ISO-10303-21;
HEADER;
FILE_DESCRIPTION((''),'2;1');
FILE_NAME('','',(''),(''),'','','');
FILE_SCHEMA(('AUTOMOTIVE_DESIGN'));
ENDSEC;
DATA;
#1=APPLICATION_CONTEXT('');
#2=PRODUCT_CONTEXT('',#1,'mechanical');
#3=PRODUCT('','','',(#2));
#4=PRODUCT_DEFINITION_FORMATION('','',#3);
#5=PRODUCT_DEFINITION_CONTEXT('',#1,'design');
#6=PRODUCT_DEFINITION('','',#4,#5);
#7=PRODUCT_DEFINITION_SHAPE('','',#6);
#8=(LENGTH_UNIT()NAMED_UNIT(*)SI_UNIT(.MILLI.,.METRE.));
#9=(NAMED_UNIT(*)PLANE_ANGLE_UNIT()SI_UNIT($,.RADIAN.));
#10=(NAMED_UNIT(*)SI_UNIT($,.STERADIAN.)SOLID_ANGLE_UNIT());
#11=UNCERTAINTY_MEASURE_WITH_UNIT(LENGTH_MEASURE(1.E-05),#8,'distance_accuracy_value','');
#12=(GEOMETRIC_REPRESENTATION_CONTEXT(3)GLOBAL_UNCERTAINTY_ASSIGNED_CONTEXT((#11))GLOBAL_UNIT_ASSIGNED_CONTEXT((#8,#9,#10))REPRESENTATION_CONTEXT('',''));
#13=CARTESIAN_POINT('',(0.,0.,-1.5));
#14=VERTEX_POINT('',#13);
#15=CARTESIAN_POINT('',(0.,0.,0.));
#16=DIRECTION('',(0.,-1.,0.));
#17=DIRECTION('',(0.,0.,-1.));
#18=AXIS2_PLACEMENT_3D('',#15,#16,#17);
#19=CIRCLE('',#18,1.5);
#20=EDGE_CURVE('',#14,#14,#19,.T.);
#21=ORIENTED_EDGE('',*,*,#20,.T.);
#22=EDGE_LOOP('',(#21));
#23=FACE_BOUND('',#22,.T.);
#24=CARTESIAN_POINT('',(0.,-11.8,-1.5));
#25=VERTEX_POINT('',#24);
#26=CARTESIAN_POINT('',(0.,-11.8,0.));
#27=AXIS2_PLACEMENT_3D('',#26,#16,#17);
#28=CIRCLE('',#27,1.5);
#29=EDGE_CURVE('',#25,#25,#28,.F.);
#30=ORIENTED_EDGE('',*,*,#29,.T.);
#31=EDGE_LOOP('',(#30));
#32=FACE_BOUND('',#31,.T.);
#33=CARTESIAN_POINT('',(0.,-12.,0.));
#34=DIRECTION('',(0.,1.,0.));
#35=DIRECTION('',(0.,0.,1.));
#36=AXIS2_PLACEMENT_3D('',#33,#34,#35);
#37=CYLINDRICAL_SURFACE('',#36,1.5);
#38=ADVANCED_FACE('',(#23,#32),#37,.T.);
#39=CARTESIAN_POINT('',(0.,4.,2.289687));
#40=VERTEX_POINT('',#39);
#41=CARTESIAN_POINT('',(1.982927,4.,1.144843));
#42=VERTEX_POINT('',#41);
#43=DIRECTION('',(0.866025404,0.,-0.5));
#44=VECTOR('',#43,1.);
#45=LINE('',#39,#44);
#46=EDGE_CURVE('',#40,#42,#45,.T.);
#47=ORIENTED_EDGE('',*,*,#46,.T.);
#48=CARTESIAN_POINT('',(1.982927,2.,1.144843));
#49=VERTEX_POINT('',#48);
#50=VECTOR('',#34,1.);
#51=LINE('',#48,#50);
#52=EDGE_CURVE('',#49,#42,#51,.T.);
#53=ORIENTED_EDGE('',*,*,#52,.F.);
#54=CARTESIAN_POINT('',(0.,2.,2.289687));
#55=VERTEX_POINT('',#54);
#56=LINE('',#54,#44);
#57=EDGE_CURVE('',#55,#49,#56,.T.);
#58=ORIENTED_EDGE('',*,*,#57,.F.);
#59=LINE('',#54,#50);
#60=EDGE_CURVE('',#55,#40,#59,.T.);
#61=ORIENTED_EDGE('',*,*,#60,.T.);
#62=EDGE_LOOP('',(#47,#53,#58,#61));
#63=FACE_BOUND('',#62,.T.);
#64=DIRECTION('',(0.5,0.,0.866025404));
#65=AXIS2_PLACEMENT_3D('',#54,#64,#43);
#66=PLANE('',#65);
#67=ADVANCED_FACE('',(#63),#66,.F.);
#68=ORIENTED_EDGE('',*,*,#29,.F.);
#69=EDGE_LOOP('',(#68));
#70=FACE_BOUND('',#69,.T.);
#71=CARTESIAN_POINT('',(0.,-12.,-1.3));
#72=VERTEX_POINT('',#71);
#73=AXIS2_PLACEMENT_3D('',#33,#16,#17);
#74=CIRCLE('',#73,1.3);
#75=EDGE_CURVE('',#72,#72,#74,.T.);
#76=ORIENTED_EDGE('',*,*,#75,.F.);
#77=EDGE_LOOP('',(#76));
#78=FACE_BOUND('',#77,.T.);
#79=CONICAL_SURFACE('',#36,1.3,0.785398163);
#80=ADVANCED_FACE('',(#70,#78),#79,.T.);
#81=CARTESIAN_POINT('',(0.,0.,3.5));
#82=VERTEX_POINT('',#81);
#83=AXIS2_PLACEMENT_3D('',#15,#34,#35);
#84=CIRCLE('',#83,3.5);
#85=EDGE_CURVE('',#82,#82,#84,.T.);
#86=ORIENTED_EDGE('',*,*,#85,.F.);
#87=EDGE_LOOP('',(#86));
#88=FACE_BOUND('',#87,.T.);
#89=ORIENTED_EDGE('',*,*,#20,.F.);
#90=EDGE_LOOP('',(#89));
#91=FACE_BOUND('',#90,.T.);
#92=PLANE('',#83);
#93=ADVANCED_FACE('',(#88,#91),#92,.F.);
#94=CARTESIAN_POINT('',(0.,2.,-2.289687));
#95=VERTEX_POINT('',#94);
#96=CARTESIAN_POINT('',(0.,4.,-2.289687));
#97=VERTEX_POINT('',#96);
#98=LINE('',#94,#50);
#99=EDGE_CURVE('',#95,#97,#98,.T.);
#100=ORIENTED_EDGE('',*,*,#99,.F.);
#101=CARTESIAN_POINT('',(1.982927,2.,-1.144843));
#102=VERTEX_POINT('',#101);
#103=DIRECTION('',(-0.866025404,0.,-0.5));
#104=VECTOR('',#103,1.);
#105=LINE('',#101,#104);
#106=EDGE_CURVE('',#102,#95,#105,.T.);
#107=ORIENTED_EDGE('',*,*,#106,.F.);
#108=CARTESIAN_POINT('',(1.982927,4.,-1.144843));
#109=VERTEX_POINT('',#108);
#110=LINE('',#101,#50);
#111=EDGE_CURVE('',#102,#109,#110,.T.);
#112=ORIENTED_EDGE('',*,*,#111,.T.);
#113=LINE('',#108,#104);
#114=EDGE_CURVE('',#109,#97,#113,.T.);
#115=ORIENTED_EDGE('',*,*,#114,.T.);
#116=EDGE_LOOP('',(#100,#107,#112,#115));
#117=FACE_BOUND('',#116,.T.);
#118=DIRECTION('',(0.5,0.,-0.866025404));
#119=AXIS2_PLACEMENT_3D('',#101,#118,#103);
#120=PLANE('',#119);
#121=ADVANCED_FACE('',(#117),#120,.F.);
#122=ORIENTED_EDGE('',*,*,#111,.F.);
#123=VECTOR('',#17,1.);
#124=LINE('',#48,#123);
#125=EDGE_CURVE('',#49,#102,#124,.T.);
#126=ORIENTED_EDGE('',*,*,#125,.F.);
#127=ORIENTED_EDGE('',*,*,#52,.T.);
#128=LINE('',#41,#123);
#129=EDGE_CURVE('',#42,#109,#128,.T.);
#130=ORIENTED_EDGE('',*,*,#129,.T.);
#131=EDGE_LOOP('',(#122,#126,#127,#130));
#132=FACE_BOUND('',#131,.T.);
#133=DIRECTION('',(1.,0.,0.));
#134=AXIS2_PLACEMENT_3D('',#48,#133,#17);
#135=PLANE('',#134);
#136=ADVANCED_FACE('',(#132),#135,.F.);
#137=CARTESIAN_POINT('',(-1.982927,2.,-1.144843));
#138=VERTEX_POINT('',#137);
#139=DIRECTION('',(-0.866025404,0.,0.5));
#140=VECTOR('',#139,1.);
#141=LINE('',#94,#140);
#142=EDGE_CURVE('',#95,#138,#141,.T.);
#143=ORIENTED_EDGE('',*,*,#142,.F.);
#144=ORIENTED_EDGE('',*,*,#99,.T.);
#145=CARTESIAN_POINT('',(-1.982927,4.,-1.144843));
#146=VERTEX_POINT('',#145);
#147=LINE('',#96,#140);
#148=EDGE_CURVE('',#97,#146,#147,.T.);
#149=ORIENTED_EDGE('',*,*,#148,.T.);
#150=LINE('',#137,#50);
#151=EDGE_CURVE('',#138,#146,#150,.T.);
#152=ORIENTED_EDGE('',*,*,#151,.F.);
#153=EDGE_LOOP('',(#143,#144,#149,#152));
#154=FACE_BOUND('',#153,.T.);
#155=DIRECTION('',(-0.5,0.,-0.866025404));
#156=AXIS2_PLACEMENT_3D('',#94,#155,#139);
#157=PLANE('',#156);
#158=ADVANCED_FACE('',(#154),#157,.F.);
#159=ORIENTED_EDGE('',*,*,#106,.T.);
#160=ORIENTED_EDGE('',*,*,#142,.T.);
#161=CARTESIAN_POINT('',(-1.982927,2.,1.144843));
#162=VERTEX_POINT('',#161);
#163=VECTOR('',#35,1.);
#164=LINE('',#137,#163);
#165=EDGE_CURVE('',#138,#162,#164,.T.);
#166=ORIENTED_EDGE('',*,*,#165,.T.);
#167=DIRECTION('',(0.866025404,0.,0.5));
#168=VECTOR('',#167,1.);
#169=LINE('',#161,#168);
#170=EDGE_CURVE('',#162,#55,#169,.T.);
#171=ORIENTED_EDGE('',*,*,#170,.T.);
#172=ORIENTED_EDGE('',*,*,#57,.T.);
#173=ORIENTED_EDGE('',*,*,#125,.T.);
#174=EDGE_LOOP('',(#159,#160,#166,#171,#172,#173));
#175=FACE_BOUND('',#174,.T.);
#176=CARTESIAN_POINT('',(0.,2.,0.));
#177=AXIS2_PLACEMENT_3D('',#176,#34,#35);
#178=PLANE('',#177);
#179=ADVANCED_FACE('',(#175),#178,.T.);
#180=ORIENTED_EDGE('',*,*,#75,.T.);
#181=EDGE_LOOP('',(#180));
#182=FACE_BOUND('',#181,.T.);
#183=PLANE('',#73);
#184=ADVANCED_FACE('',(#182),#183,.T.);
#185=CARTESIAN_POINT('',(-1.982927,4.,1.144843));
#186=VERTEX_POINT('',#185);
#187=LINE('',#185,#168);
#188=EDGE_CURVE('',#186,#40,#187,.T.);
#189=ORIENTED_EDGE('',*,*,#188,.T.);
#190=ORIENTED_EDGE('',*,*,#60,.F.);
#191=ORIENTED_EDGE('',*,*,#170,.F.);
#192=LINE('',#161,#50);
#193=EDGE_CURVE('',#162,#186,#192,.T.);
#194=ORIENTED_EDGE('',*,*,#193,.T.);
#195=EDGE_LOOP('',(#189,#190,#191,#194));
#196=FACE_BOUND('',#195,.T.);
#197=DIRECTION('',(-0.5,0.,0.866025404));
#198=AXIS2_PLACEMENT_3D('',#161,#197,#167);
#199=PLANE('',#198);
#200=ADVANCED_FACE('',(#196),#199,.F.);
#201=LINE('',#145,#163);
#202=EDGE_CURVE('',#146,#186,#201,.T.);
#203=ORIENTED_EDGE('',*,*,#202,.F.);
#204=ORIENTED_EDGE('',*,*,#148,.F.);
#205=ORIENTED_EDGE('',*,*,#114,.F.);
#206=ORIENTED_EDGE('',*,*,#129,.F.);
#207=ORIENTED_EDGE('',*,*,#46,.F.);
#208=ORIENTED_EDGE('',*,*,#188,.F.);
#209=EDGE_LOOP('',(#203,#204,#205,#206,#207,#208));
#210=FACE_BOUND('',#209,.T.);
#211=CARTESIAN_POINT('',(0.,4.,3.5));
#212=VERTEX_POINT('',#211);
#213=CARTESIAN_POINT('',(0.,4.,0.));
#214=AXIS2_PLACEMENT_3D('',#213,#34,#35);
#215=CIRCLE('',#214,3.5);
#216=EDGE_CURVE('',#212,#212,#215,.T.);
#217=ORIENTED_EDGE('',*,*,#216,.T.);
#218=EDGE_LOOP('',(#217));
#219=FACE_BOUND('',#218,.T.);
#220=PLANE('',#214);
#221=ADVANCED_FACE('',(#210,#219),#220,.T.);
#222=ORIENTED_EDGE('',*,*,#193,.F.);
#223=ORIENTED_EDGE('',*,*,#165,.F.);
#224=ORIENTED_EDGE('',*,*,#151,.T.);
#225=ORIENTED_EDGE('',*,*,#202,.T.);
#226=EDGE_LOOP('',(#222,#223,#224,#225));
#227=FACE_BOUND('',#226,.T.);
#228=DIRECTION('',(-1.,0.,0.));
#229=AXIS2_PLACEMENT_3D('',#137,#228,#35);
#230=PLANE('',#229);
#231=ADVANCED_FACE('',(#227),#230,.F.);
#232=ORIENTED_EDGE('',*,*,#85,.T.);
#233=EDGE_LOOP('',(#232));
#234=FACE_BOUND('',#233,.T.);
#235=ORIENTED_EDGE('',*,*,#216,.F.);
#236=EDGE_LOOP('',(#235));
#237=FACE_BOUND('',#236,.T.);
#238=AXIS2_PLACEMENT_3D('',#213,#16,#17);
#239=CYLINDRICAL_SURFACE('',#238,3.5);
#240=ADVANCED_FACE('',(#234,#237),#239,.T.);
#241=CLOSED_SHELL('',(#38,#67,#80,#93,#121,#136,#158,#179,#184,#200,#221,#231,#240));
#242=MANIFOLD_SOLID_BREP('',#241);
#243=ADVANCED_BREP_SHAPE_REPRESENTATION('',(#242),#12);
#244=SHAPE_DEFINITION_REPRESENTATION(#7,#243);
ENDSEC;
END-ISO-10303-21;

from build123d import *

# Parameters (mm, degrees)
CROQUIS1_R              = 3.5
SALIENTE_EXTRUIR1_DEPTH = 4
CROQUIS2_R              = 1.5
SALIENTE_EXTRUIR2_DEPTH = 12
CHAFL_N1_SIZE           = 0.2
CORTAR_EXTRUIR1_DEPTH   = 2


with BuildPart() as part:
    # Croquis1 → Saliente-Extruir1 (new body)
    with BuildSketch(Plane(origin=(0, 0, 0), x_dir=(1, 0, 0), z_dir=(0, 1, 0))):
        with Locations(Location((0, 0, 0), (0, 0, 270))):
            Circle(CROQUIS1_R)
    extrude(amount=SALIENTE_EXTRUIR1_DEPTH)

    # Croquis2 → Saliente-Extruir2 (add)
    with BuildSketch(Plane.XZ):
        with Locations(Location((0, 0, 0), (0, 0, 270))):
            Circle(CROQUIS2_R)
    extrude(amount=SALIENTE_EXTRUIR2_DEPTH)

    # Chaflán1
    chafl_n1_edges = [part.edges().sort_by_distance(p)[0] for p in [
        (0, -12, 1.5),
    ]]
    chamfer(chafl_n1_edges, length=CHAFL_N1_SIZE)

    # Croquis3 → Cortar-Extruir1 (cut)
    with BuildSketch(Plane(origin=(0, 4, 0), x_dir=(1, 0, 0), z_dir=(0, 1, 0))):
        Polygon((0, 2.289686923), (-1.982927042, 1.144843462), (-1.982927042, -1.144843462), (0, -2.289686923), (1.982927042, -1.144843462), (1.982927042, 1.144843462), align=None)
    extrude(amount=-CORTAR_EXTRUIR1_DEPTH, mode=Mode.SUBTRACT)


solid = part.part
